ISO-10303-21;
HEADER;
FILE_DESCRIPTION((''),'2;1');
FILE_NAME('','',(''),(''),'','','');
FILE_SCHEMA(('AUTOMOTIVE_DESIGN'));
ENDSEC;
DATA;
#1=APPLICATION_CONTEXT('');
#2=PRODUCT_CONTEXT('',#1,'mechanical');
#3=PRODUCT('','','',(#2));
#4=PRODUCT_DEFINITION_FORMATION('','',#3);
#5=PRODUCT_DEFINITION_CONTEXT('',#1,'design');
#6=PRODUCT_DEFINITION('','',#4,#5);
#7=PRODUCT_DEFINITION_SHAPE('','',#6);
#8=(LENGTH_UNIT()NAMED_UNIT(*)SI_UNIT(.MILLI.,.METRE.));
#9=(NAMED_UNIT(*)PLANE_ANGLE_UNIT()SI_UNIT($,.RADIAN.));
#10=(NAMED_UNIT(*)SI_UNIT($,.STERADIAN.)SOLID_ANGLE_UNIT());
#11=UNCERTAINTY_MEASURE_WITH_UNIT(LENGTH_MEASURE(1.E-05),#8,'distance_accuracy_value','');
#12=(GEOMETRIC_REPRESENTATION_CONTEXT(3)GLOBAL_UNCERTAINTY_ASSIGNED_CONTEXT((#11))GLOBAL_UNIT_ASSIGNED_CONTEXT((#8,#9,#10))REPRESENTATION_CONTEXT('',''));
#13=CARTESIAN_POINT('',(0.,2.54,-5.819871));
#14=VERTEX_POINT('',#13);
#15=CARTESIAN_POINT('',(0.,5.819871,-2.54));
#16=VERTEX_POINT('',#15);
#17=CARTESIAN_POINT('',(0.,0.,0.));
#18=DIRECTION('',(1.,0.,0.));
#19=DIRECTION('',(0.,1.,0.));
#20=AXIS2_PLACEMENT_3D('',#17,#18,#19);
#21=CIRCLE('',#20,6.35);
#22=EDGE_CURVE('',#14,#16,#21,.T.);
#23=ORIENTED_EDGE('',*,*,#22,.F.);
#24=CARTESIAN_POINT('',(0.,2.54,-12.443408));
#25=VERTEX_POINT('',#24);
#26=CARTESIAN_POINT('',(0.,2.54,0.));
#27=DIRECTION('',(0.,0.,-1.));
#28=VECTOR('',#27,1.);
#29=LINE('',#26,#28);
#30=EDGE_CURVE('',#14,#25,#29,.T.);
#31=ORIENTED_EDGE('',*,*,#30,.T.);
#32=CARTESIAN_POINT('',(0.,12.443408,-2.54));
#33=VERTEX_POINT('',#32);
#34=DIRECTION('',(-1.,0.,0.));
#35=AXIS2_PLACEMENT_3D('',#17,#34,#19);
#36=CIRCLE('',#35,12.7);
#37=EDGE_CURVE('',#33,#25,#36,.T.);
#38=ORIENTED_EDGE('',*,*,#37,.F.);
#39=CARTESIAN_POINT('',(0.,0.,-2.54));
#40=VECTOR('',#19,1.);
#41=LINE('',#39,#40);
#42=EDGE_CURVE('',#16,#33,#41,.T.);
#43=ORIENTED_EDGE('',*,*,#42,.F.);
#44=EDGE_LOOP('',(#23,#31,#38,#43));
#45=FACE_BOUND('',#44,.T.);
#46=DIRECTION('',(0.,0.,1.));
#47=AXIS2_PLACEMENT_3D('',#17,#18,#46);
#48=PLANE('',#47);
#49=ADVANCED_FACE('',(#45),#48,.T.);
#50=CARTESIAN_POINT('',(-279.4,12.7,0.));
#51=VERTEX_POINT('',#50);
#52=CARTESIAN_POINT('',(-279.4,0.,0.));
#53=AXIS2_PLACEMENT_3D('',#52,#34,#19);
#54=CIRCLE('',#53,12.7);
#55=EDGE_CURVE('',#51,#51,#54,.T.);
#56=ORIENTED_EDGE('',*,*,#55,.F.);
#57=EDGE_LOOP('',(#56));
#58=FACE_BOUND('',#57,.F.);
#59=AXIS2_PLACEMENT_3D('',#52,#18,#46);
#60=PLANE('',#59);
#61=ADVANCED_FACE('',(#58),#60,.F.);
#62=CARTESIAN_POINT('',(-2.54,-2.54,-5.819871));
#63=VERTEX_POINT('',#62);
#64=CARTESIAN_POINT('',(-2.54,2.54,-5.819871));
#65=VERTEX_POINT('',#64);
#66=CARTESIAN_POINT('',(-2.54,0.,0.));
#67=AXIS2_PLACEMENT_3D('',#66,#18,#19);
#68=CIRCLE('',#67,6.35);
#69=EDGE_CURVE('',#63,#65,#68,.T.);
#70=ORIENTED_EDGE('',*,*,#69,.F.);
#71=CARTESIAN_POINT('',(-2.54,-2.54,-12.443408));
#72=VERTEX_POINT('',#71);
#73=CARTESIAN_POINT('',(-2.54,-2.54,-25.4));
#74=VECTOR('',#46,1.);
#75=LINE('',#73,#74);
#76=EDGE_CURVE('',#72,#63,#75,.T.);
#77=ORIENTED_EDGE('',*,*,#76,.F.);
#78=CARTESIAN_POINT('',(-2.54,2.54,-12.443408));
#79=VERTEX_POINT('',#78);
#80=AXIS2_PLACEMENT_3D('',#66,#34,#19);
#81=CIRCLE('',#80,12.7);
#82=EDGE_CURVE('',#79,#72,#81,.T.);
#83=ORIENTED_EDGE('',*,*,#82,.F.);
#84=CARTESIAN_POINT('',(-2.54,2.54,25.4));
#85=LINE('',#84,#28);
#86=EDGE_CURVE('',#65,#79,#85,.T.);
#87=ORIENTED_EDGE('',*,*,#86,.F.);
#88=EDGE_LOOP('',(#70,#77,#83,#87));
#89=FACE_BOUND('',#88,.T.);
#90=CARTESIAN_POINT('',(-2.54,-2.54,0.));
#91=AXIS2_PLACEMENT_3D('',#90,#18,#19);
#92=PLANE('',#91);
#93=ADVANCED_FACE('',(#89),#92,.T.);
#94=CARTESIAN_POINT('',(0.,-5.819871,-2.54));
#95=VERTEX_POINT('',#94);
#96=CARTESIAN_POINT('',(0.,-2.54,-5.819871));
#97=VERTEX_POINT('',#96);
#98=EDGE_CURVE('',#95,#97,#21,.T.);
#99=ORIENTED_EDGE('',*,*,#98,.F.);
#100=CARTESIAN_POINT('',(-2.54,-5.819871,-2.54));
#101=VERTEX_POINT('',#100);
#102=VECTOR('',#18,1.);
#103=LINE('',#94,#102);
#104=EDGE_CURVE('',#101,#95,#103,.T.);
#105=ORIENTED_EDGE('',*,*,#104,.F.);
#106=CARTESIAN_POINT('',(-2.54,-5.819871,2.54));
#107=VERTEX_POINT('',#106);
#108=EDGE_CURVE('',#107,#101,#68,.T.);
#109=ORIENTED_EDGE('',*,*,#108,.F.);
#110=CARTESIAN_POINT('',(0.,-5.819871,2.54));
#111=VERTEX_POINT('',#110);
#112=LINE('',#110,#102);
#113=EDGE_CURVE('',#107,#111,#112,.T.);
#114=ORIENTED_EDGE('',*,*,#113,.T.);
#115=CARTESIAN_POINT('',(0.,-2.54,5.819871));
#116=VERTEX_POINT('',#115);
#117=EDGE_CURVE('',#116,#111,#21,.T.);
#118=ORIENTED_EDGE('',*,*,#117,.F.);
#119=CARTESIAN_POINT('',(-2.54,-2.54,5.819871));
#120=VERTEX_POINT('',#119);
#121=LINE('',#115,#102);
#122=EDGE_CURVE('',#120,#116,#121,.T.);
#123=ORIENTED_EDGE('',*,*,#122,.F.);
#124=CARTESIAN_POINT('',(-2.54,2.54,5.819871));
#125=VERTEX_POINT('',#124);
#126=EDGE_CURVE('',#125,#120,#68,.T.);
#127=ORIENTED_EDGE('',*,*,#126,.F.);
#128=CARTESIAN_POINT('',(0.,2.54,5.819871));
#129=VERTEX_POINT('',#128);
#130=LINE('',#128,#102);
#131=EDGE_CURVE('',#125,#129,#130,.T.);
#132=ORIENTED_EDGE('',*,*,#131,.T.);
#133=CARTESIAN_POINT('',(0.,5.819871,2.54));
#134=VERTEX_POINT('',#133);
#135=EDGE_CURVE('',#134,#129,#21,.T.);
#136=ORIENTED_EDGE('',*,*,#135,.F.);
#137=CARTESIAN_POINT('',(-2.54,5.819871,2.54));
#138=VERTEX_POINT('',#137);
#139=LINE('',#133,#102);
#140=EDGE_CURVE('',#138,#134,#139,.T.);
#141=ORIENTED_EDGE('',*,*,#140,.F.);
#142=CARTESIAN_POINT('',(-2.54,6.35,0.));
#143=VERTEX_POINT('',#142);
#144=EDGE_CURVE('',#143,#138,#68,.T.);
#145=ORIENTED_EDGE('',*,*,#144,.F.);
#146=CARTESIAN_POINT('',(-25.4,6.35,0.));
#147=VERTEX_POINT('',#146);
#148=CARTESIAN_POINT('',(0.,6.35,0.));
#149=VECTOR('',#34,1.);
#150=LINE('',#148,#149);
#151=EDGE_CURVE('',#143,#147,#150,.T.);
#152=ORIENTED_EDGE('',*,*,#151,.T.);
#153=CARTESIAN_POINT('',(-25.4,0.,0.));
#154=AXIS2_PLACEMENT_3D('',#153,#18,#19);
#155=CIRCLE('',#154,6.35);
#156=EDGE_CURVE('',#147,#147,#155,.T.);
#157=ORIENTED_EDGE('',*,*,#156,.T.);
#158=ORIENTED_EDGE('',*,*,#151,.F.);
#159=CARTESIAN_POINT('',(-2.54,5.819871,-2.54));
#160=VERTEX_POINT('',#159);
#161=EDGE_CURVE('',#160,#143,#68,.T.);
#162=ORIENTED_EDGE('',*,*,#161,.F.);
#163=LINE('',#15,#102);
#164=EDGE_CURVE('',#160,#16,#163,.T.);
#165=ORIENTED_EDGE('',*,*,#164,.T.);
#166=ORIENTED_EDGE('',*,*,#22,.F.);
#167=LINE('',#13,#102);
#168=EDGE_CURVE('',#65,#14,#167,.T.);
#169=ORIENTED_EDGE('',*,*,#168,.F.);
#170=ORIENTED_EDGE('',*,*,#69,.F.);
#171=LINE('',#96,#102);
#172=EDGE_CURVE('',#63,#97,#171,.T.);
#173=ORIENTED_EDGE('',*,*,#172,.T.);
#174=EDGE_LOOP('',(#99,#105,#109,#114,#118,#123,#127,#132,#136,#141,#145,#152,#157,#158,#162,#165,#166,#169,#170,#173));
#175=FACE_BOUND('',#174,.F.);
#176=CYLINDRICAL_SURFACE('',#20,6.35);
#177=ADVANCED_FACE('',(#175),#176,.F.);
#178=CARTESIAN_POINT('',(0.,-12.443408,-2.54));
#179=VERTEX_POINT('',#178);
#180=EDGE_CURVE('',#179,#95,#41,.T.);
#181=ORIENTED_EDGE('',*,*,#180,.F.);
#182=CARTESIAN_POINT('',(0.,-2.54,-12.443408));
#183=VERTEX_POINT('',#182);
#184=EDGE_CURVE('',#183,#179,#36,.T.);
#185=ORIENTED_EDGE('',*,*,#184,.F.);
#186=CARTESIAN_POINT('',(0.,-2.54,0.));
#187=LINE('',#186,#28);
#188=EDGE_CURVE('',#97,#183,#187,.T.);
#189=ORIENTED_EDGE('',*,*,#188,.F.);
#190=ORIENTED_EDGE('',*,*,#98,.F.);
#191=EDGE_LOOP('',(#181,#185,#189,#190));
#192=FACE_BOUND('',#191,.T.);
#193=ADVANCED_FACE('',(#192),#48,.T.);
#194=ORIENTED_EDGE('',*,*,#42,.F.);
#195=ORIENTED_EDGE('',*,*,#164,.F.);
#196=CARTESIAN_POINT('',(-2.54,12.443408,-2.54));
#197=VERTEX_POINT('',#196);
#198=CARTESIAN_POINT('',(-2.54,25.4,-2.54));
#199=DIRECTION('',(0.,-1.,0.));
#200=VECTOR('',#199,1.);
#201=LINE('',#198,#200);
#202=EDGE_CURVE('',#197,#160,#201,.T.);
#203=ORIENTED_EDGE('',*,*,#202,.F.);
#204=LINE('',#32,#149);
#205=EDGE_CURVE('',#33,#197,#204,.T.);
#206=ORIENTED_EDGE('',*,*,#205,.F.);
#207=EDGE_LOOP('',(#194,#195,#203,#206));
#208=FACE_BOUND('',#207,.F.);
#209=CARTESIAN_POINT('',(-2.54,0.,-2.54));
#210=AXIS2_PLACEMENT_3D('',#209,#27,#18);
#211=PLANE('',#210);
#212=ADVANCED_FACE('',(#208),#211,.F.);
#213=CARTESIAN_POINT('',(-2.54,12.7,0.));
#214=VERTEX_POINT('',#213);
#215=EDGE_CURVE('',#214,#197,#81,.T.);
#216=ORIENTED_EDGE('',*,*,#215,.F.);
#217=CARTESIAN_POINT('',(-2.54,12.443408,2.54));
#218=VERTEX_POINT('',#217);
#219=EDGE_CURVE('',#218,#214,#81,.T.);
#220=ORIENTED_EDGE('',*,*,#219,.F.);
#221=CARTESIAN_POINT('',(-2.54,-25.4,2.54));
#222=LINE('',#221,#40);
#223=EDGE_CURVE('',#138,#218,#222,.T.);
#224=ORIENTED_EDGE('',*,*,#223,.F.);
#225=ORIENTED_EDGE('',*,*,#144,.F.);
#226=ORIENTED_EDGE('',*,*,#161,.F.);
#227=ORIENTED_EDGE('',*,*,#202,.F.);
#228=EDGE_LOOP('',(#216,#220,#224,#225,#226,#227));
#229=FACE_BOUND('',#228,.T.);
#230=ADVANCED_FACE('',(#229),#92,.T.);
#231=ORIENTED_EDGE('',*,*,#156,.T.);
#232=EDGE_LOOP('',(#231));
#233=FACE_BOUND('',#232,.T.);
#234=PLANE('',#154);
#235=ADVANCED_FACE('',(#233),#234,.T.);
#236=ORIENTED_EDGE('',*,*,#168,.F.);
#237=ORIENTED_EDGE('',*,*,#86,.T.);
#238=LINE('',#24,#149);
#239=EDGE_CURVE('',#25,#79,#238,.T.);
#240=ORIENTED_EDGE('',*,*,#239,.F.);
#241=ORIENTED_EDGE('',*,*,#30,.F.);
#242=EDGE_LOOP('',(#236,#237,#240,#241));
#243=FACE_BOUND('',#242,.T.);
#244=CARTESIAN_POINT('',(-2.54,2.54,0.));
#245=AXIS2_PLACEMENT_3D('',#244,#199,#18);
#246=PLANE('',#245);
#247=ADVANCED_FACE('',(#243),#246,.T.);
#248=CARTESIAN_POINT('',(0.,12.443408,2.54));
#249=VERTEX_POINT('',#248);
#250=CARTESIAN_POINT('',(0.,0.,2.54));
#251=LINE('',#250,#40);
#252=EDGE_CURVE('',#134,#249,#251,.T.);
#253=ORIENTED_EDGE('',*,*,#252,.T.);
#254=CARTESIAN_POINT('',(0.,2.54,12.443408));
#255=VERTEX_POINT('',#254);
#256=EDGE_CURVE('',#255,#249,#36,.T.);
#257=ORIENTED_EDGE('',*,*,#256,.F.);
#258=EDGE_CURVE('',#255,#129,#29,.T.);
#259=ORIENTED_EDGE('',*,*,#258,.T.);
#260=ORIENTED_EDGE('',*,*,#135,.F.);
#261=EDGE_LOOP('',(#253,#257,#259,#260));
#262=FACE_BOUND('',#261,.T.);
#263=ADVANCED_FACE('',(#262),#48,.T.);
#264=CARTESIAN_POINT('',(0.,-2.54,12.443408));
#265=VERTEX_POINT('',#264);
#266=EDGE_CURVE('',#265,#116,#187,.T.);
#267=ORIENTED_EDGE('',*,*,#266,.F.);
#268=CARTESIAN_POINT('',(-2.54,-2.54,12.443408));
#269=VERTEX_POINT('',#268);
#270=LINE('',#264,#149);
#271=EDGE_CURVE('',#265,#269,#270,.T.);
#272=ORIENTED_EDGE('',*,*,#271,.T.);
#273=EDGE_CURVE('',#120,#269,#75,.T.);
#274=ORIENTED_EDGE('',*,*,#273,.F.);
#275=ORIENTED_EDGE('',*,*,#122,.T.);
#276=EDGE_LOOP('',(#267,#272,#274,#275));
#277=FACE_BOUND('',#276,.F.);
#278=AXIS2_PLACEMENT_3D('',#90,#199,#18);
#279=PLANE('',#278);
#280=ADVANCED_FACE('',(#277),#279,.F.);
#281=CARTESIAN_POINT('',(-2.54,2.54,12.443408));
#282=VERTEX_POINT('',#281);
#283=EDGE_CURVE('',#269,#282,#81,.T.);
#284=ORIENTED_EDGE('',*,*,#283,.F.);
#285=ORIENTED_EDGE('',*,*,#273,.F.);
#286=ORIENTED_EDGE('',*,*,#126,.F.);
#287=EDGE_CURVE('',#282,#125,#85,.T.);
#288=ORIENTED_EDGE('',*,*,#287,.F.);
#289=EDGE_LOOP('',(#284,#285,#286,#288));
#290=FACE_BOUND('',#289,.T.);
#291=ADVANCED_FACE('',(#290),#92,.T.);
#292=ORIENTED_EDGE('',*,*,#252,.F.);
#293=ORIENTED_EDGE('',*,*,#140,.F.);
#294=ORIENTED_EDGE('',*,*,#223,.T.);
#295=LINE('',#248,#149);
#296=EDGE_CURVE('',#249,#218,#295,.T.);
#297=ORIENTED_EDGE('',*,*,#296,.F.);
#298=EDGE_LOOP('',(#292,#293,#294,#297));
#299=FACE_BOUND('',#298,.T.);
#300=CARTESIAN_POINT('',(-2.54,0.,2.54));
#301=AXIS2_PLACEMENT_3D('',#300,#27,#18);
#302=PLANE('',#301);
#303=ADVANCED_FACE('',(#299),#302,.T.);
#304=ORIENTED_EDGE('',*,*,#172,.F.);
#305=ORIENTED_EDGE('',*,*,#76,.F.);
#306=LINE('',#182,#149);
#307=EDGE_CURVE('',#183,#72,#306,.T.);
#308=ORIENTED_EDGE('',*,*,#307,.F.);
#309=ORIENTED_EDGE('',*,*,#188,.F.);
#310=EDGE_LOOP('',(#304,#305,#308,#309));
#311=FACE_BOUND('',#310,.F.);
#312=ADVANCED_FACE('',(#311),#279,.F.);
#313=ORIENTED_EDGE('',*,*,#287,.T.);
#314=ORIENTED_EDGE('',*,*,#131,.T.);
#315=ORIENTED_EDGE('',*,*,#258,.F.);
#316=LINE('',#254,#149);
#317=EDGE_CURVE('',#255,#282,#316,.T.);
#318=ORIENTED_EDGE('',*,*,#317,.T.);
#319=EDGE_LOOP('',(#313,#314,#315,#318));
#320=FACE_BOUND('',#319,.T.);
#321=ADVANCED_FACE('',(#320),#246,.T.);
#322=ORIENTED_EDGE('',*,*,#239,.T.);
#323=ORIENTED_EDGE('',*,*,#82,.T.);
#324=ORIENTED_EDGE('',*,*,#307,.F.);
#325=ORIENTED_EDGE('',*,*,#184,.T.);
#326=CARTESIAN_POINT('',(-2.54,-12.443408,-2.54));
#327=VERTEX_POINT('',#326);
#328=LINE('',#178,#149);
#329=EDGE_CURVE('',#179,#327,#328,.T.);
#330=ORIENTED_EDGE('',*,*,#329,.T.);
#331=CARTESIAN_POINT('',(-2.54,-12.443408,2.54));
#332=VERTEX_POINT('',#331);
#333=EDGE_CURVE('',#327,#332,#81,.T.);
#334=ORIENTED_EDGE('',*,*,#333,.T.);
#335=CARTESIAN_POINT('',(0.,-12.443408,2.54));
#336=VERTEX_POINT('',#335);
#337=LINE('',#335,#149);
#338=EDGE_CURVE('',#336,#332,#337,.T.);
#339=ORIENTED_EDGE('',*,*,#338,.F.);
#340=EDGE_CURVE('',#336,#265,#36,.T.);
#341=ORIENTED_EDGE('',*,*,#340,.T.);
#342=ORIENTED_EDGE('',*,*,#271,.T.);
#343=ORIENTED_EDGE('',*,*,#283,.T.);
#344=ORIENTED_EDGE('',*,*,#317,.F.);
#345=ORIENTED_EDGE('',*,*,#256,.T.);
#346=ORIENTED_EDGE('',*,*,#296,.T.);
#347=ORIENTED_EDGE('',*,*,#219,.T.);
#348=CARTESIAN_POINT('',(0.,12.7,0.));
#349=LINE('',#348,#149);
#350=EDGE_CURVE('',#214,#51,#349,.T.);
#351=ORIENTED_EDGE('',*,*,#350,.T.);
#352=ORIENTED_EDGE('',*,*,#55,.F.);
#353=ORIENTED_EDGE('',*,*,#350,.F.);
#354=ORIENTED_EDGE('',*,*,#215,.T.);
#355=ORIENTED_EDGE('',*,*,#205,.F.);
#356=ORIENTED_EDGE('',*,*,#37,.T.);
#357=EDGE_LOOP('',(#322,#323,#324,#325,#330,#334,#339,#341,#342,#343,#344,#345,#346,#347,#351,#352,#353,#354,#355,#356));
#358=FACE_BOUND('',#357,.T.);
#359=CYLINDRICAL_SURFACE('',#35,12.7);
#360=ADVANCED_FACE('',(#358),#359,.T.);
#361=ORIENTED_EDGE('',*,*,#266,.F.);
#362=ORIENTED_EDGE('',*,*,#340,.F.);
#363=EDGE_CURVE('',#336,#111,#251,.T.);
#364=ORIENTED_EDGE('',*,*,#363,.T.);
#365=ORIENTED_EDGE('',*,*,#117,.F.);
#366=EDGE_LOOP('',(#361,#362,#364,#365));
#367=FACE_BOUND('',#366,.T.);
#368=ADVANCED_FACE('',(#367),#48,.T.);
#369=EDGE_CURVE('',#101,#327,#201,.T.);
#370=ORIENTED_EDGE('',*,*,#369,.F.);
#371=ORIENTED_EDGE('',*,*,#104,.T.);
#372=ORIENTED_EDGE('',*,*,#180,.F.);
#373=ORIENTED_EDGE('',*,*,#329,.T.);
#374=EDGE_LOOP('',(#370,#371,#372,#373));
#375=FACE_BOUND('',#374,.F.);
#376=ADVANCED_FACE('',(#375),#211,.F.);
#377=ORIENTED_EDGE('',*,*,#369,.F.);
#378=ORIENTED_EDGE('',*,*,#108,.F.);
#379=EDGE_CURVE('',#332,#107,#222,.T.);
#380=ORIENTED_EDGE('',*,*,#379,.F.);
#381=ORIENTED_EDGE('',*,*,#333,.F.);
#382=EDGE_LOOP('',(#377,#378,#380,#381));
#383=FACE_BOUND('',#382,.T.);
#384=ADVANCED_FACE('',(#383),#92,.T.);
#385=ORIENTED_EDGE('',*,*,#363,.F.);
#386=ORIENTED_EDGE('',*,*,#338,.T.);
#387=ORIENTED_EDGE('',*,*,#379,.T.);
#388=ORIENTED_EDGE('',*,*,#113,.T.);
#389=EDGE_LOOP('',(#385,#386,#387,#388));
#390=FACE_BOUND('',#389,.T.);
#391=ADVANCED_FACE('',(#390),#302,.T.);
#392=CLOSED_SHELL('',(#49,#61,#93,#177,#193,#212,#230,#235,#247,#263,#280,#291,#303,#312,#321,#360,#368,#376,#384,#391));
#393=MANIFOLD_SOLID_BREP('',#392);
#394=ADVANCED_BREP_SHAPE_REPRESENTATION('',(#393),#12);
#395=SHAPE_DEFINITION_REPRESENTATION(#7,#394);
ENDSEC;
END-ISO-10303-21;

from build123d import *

# Parameters (mm, degrees)
F0_R     = 12.7
F3_W     = 5.08
F3_H     = 5.08
F4_DEPTH = 25.4
F5_W     = 5.08
F5_H     = 5.08
F6_DEPTH = 25.4
F7_R     = 6.35
F8_DEPTH = 25.4


with BuildPart() as f2:
    # F2: sweep along a path in F1
    with BuildLine(Plane.XZ) as f2_path:
        Line((0, 0), (-279.4, 0))
    # F0 (on Right) → F2 (sweep)
    with BuildSketch(Plane.YZ):
        Circle(F0_R)
    sweep(path=f2_path.line)

    # F3 (on Top) → F4 (cut, symmetric)
    with BuildSketch(Plane.XY):
        Rectangle(F3_W, F3_H)
    extrude(amount=F4_DEPTH, both=True, mode=Mode.SUBTRACT)

    # F5 (on Front) → F6 (cut, symmetric)
    with BuildSketch(Plane.XZ):
        Rectangle(F5_W, F5_H)
    extrude(amount=F6_DEPTH, both=True, mode=Mode.SUBTRACT)

    # F7 (on Right) → F8 (cut)
    with BuildSketch(Plane.YZ):
        Circle(F7_R)
    extrude(amount=-F8_DEPTH, mode=Mode.SUBTRACT)


solid = f2.part
